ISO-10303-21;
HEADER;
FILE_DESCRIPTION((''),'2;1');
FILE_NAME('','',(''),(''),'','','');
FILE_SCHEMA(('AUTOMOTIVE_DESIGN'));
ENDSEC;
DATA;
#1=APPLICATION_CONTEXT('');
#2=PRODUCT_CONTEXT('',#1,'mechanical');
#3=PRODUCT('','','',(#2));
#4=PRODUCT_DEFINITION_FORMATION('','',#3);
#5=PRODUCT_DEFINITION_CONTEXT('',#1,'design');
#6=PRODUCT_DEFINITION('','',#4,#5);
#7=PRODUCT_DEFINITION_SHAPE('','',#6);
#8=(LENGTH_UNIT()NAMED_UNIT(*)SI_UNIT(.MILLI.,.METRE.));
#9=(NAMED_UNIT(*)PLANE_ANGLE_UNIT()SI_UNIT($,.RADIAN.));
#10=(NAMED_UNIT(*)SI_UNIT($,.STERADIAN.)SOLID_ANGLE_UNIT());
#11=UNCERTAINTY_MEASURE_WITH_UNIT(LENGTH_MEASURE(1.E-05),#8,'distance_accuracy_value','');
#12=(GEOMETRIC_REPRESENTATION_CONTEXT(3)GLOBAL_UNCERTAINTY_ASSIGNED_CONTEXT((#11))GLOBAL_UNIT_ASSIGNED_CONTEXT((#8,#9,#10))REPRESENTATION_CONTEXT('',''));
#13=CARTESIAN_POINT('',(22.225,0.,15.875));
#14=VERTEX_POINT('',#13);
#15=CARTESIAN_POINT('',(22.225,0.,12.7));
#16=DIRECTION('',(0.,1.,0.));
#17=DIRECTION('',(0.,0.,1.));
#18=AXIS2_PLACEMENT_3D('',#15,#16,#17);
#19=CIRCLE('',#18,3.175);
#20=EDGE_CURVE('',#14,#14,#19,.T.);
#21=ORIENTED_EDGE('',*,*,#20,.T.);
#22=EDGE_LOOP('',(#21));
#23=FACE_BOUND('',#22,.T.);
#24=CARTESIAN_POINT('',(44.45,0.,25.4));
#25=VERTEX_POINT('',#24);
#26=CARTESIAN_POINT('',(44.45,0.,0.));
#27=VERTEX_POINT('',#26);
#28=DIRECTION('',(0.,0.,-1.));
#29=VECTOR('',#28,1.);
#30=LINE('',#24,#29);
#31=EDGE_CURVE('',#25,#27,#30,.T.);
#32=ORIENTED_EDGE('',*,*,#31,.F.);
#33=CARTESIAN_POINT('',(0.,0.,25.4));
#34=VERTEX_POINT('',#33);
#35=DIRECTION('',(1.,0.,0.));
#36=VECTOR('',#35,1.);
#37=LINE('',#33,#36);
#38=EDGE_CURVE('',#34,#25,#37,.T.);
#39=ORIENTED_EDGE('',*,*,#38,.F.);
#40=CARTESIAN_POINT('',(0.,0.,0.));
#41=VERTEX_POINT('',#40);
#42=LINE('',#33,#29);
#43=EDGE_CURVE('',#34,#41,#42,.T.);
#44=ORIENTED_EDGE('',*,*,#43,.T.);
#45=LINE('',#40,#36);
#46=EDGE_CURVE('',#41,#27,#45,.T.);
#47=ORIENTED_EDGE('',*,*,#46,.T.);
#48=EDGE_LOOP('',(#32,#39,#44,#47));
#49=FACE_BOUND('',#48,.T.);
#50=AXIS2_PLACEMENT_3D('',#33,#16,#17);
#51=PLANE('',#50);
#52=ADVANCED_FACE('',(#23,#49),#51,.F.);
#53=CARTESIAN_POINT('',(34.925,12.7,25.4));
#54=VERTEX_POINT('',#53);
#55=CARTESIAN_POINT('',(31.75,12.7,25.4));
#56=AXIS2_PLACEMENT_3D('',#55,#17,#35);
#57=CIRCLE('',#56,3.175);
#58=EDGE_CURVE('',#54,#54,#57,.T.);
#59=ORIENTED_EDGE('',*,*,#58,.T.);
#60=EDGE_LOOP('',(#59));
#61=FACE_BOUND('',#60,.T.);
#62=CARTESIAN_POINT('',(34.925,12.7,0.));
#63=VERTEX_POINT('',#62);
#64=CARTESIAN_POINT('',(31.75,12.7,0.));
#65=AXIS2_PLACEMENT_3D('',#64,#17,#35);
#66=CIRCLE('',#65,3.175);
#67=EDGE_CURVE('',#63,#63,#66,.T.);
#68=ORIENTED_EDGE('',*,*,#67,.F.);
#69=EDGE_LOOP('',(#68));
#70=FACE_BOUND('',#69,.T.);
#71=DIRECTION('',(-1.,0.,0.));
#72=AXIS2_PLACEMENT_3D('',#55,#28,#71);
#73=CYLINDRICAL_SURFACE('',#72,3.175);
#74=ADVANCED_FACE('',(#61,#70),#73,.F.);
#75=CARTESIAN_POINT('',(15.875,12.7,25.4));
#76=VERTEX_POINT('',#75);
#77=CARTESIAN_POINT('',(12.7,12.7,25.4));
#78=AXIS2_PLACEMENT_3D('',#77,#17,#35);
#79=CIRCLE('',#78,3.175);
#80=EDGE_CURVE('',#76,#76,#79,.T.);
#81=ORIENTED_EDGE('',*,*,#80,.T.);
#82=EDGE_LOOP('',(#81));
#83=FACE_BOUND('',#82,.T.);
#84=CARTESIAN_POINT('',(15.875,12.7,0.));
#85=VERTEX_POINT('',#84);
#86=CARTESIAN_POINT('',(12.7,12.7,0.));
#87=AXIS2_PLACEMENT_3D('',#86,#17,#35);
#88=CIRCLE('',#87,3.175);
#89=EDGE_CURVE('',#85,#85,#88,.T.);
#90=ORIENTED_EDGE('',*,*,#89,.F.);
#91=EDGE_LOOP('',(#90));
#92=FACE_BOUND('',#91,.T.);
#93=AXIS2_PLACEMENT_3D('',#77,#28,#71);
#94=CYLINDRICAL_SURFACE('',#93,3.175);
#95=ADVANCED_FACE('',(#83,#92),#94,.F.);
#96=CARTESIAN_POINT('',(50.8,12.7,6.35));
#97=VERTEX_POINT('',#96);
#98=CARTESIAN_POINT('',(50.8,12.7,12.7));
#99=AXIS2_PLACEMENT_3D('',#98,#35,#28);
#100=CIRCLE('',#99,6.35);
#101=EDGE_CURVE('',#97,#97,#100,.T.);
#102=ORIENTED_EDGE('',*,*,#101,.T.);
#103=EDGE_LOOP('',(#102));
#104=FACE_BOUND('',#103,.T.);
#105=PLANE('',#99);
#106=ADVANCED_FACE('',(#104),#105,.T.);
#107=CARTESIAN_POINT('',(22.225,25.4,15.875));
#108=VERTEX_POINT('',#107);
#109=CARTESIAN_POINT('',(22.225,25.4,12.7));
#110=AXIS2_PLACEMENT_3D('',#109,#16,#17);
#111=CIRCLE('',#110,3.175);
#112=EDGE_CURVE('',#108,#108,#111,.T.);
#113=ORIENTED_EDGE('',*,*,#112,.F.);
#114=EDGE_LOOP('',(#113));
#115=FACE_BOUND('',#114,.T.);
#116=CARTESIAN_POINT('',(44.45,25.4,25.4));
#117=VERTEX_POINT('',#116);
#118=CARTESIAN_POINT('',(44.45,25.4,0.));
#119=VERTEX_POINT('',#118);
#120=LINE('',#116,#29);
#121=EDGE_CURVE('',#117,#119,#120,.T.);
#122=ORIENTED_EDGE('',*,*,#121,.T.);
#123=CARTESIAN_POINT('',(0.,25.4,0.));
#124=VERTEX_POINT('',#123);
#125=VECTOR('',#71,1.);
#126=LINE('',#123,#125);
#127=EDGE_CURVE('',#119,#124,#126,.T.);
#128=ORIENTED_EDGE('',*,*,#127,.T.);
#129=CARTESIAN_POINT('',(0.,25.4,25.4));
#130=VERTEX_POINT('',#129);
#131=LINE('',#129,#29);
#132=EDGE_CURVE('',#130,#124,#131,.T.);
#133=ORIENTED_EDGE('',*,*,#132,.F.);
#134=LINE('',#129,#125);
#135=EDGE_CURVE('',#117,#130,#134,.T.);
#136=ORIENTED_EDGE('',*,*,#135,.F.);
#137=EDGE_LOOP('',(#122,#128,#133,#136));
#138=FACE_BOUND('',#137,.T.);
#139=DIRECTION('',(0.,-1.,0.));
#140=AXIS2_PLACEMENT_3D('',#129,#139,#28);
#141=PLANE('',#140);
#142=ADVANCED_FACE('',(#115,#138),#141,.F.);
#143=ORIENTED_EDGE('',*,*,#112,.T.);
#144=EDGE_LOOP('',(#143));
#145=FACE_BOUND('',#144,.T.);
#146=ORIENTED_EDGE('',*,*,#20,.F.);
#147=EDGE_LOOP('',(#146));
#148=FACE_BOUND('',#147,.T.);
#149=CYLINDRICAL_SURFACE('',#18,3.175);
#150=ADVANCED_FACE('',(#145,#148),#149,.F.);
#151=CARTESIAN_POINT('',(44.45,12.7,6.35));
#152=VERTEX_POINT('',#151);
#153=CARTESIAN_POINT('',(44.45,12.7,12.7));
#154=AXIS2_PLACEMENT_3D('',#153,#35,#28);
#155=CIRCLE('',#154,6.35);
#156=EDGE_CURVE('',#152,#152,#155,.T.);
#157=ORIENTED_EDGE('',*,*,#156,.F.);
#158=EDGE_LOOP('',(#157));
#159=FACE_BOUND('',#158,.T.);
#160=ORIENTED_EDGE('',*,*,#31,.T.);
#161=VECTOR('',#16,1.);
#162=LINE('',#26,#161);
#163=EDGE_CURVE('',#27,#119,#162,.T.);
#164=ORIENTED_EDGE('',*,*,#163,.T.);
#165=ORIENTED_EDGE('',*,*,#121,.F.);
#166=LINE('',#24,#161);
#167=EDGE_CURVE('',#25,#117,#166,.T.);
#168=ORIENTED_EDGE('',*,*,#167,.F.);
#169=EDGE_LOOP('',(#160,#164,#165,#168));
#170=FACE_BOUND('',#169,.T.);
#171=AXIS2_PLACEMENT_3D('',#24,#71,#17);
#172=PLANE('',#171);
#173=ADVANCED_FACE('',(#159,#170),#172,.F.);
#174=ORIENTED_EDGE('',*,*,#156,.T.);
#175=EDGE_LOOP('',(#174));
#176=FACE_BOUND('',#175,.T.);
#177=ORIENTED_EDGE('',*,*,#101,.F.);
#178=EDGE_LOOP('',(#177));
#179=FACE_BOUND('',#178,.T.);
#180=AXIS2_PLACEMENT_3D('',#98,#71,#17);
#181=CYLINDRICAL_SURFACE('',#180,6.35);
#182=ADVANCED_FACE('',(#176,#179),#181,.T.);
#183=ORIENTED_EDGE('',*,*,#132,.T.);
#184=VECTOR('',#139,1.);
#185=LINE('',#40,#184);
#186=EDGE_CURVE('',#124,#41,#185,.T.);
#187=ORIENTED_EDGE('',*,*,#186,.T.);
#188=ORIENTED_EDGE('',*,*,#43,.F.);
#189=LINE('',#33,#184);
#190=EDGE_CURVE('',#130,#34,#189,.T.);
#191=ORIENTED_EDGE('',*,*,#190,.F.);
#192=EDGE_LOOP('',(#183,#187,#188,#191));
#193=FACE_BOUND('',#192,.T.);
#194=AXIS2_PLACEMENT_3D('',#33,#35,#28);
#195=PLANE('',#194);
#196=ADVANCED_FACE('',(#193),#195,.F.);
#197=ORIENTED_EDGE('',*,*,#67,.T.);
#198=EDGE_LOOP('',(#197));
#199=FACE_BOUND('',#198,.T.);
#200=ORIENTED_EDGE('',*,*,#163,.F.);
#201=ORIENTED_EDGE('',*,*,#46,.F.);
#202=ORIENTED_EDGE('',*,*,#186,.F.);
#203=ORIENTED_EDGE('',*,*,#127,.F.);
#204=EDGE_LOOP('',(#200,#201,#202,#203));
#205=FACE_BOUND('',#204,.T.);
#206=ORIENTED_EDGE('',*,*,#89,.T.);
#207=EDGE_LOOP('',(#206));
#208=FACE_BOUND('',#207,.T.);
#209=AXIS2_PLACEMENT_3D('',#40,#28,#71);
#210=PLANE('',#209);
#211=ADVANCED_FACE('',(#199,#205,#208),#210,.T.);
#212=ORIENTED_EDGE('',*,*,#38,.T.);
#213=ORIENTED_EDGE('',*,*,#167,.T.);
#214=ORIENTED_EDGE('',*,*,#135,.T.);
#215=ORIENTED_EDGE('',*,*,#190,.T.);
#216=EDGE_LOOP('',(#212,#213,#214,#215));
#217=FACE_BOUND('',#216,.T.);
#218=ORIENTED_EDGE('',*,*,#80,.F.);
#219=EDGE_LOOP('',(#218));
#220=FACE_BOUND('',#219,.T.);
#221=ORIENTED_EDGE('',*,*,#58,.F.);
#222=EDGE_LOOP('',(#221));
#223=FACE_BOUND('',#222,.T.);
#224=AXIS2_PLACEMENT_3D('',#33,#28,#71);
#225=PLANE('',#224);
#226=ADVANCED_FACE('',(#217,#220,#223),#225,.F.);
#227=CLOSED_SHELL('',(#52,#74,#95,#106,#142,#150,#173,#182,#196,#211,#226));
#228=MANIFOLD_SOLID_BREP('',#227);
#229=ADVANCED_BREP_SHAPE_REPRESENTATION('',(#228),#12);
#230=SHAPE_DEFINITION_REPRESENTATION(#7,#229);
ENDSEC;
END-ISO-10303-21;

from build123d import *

# Parameters (mm, degrees)
SKETCH1_W           = 44.45
SKETCH1_H           = 25.4
SKETCH1_R           = 3.175
BOSS_EXTRUDE1_DEPTH = 25.4
SKETCH2_R           = 6.35
BOSS_EXTRUDE2_DEPTH = 6.35
SKETCH3_R           = 3.175
CUT_EXTRUDE1_DEPTH  = 63.217039467


with BuildPart() as part:
    # Sketch1 → Boss-Extrude1 (new body)
    with BuildSketch(Plane.XY):
        with Locations((22.225, 12.7)):
            Rectangle(SKETCH1_W, SKETCH1_H)
        with Locations((12.7, 12.7)):
            Circle(SKETCH1_R, mode=Mode.SUBTRACT)
        with Locations((31.75, 12.7)):
            Circle(SKETCH1_R, mode=Mode.SUBTRACT)
    extrude(amount=BOSS_EXTRUDE1_DEPTH)

    # Sketch2 → Boss-Extrude2 (add)
    with BuildSketch(Plane(origin=(44.45, 0, 0), x_dir=(0, 0, -1), z_dir=(1, 0, 0))):
        with Locations((-12.7, 12.7)):
            Circle(SKETCH2_R)
    extrude(amount=BOSS_EXTRUDE2_DEPTH)

    # Sketch3 → Cut-Extrude1 (cut, through all)
    with BuildSketch(Plane(origin=(0, 25.4, 0), x_dir=(1, 0, 0), z_dir=(0, 1, 0))):
        with Locations(Location((22.225, -12.7, 0), (0, 0, 270))):
            Circle(SKETCH3_R)
    extrude(amount=-CUT_EXTRUDE1_DEPTH, mode=Mode.SUBTRACT)


solid = part.part
